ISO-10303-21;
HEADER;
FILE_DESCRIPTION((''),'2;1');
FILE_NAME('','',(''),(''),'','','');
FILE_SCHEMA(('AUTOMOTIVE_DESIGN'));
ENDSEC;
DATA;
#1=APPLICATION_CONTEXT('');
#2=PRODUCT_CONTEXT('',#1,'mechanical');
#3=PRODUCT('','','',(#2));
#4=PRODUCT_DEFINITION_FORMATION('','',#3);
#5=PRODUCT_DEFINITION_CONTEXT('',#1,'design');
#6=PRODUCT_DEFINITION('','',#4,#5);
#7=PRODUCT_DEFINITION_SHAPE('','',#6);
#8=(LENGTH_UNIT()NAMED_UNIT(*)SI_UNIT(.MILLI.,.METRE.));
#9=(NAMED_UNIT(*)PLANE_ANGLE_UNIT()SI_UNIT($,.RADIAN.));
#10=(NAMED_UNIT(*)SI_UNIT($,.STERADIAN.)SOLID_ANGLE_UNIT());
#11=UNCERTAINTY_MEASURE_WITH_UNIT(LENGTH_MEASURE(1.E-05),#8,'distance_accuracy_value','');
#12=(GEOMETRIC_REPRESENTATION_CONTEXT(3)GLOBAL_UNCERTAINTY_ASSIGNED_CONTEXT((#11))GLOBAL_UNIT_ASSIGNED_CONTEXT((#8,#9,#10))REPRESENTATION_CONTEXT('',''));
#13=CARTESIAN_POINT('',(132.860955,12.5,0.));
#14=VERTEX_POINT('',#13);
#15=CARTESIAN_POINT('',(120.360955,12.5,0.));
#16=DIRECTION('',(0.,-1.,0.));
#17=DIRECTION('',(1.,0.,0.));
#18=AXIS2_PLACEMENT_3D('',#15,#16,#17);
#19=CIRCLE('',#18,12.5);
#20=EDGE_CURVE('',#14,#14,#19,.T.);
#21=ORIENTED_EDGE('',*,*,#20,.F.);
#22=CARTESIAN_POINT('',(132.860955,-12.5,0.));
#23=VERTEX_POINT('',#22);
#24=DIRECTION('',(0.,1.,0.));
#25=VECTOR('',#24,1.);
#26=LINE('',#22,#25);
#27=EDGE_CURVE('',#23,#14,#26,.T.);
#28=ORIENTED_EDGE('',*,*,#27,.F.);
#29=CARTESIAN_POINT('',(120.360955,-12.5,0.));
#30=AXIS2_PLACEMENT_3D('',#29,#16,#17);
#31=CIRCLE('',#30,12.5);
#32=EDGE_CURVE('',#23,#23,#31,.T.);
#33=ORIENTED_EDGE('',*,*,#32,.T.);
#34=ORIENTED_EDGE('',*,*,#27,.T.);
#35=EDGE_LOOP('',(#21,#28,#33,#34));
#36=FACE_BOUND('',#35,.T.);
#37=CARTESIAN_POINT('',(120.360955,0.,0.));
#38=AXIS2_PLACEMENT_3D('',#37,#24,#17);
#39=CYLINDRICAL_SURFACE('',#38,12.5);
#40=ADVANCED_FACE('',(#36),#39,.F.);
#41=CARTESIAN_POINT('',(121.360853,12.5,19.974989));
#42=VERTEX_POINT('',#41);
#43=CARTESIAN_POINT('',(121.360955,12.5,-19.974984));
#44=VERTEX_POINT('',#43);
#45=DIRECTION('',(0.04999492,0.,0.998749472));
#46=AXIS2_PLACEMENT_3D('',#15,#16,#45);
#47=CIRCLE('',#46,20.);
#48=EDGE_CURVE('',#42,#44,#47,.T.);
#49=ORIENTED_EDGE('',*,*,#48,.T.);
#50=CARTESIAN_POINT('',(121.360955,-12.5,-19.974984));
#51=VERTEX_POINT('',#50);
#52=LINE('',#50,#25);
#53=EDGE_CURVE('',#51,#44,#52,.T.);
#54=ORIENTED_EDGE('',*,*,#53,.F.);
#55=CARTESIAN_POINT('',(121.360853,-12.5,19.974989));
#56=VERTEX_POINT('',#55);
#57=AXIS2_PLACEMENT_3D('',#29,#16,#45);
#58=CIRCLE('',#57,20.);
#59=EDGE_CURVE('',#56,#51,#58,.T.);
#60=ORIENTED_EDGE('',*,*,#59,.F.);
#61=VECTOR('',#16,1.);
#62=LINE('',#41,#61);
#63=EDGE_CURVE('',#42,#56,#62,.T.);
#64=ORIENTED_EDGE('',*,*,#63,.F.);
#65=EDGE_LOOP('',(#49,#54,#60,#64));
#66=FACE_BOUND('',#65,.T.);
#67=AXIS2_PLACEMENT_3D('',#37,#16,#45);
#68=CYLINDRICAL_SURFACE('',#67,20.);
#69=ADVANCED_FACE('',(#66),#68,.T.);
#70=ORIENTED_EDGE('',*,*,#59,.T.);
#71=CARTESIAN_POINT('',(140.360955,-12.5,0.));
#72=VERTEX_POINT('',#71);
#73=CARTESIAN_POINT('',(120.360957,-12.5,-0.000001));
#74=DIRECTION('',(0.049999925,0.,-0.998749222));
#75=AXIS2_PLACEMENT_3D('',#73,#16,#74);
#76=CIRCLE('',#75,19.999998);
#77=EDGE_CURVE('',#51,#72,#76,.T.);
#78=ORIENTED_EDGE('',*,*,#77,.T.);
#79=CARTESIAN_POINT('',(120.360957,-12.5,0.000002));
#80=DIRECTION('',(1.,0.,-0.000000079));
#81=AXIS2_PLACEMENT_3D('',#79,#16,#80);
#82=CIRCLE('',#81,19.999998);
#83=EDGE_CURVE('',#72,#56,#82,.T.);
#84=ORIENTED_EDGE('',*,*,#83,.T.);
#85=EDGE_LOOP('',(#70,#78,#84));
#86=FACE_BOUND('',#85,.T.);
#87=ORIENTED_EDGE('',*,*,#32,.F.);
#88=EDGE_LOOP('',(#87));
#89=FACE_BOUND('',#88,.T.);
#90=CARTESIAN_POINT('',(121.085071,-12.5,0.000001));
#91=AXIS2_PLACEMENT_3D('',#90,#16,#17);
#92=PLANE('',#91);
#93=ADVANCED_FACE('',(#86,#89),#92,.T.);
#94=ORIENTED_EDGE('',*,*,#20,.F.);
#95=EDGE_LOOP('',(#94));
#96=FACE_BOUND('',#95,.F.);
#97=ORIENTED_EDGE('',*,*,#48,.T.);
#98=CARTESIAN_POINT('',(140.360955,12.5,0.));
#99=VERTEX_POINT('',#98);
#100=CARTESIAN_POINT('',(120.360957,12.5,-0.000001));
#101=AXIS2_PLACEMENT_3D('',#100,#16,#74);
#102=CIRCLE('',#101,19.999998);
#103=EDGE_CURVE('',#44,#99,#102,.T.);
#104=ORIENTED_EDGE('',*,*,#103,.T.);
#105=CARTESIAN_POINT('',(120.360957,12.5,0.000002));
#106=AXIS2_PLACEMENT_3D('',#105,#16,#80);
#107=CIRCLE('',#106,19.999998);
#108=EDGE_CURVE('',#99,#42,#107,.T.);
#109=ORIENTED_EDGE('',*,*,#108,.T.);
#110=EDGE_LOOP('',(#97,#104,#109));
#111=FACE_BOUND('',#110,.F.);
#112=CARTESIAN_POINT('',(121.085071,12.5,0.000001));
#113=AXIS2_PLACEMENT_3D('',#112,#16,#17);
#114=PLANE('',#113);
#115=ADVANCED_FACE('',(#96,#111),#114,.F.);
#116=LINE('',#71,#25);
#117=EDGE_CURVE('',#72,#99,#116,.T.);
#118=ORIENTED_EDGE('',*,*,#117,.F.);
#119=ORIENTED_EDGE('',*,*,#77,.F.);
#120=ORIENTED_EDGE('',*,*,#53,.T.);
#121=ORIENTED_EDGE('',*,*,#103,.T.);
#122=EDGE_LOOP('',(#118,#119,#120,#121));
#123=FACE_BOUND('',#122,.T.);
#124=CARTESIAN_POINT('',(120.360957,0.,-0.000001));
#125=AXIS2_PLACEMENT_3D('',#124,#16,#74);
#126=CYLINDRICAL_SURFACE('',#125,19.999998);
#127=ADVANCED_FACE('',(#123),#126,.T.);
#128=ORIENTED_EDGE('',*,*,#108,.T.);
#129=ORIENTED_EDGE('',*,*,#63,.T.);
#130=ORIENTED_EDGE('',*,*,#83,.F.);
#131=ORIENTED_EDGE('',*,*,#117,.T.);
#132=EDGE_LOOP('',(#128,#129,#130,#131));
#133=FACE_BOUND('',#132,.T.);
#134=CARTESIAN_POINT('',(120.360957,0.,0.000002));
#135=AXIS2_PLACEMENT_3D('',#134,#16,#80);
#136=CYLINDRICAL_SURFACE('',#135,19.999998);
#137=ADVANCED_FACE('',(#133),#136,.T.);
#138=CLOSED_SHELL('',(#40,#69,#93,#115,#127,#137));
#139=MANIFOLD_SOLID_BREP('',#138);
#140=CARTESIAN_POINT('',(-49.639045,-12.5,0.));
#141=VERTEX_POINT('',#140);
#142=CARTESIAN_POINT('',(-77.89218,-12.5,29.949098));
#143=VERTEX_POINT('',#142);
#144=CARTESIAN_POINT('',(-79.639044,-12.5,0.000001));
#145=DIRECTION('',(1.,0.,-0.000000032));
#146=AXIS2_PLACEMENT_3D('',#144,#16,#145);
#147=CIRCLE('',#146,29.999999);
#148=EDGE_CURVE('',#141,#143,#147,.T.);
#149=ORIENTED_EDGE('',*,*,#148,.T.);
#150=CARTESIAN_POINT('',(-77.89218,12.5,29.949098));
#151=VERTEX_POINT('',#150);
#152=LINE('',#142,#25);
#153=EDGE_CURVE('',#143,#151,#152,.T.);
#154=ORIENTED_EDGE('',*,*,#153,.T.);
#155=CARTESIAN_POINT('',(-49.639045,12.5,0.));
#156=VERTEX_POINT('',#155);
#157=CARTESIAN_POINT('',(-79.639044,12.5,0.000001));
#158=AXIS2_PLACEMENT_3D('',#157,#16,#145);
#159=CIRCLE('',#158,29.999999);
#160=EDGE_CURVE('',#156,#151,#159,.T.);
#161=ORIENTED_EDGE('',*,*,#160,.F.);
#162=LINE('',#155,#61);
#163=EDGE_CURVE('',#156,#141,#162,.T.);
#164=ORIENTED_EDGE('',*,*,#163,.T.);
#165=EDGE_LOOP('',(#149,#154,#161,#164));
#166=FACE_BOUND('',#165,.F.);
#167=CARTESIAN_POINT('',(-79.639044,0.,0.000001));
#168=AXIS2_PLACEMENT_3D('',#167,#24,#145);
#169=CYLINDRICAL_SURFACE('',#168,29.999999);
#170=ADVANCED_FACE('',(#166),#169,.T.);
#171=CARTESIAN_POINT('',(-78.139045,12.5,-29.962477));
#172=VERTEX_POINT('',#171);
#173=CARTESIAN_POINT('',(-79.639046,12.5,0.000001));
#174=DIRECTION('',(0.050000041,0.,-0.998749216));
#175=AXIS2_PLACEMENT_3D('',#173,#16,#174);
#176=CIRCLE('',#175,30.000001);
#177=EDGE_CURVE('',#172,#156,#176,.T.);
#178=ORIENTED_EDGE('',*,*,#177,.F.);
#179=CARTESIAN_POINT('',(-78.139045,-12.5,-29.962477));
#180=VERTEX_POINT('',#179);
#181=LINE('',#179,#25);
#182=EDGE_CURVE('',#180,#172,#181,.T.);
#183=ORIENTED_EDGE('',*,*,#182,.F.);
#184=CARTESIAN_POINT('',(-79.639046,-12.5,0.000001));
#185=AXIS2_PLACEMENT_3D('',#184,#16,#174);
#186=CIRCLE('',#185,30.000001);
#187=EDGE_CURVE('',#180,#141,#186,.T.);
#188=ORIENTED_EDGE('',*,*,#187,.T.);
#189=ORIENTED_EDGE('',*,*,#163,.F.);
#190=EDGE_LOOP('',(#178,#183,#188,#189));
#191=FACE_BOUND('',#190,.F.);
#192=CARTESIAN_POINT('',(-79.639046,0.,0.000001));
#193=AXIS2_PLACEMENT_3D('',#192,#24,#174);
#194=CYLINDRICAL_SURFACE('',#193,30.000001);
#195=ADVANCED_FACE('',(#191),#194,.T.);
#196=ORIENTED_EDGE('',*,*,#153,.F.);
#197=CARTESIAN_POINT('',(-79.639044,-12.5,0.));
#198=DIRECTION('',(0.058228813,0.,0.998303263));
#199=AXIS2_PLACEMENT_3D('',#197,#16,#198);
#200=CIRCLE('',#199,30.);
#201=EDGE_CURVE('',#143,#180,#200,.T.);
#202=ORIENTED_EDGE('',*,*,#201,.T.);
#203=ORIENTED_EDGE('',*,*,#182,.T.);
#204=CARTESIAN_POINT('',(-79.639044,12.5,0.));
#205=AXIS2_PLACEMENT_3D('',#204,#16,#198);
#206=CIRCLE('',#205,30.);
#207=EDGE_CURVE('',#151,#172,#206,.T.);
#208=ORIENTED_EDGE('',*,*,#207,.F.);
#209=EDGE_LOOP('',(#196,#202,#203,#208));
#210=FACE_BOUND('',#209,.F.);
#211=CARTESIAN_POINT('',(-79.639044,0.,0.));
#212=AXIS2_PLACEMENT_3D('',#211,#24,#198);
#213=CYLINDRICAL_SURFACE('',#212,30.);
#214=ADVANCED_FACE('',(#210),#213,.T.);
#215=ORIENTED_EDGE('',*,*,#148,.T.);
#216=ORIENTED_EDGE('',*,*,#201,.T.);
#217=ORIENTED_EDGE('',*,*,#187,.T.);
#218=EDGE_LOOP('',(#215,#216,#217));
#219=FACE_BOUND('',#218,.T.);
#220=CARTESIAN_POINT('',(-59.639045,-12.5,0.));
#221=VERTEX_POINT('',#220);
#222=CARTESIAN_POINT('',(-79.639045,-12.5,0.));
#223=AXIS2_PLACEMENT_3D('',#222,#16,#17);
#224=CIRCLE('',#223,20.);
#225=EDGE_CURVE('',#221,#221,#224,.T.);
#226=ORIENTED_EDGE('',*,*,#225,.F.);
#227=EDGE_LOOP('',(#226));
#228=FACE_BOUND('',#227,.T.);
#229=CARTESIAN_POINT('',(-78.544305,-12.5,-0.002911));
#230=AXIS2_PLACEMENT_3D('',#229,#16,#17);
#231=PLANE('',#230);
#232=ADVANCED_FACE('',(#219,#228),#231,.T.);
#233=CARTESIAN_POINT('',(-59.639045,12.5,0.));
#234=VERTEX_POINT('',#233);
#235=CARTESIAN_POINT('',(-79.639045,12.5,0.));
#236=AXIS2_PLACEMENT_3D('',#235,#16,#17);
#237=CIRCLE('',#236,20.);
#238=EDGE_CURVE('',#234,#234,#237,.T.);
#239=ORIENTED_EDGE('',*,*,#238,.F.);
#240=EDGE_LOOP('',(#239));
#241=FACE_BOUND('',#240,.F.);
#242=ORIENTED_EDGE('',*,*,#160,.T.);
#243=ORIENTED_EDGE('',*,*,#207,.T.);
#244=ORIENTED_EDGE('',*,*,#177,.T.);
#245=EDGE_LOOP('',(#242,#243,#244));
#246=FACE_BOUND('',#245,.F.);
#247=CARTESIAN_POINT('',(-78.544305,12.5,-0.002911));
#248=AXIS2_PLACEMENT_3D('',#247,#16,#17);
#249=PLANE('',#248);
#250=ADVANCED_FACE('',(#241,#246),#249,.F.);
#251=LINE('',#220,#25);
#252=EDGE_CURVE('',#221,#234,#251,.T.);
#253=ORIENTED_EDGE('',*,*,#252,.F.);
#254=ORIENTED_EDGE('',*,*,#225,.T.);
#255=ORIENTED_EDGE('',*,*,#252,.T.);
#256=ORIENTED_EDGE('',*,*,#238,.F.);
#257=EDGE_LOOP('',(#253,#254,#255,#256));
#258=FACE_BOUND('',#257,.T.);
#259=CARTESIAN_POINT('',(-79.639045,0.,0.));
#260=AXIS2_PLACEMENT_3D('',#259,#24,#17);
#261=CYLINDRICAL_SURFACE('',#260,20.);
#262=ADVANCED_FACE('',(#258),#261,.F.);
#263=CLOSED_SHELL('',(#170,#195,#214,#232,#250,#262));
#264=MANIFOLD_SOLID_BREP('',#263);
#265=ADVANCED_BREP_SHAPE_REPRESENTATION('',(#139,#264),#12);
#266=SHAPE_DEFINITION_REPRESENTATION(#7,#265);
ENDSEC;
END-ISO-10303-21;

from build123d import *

# Parameters (mm, degrees)
F0_R     = 20
F0_R_2   = 12.5
F1_DEPTH = 12.5


with BuildPart() as f1:
    # F0 (on Front) → F1 (new body, symmetric)
    with BuildSketch(Plane.XZ):
        with BuildLine():
            ThreePointArc((-78.139045, -29.962477), (-57.90198, -20.676073), (-49.639045, 0))
            ThreePointArc((-49.639045, 0), (-57.816969, 20.586331), (-77.89218, 29.949098))
            ThreePointArc((-77.89218, 29.949098), (-109.63879, 0.123614), (-78.139045, -29.962477))
        make_face()
        with Locations((-79.639045, 0)):
            Circle(F0_R, mode=Mode.SUBTRACT)
        with BuildLine():
            ThreePointArc((140.360955, 0), (134.852297, 13.784086), (121.360853, 19.974989))
            ThreePointArc((121.360853, 19.974989), (100.360955, -5.1e-05), (121.360955, -19.974984))
            ThreePointArc((121.360955, -19.974984), (134.852332, -13.784049), (140.360955, 0))
        make_face()
        with Locations((120.360955, 0)):
            Circle(F0_R_2, mode=Mode.SUBTRACT)
    extrude(amount=F1_DEPTH, both=True)


solid = f1.part
